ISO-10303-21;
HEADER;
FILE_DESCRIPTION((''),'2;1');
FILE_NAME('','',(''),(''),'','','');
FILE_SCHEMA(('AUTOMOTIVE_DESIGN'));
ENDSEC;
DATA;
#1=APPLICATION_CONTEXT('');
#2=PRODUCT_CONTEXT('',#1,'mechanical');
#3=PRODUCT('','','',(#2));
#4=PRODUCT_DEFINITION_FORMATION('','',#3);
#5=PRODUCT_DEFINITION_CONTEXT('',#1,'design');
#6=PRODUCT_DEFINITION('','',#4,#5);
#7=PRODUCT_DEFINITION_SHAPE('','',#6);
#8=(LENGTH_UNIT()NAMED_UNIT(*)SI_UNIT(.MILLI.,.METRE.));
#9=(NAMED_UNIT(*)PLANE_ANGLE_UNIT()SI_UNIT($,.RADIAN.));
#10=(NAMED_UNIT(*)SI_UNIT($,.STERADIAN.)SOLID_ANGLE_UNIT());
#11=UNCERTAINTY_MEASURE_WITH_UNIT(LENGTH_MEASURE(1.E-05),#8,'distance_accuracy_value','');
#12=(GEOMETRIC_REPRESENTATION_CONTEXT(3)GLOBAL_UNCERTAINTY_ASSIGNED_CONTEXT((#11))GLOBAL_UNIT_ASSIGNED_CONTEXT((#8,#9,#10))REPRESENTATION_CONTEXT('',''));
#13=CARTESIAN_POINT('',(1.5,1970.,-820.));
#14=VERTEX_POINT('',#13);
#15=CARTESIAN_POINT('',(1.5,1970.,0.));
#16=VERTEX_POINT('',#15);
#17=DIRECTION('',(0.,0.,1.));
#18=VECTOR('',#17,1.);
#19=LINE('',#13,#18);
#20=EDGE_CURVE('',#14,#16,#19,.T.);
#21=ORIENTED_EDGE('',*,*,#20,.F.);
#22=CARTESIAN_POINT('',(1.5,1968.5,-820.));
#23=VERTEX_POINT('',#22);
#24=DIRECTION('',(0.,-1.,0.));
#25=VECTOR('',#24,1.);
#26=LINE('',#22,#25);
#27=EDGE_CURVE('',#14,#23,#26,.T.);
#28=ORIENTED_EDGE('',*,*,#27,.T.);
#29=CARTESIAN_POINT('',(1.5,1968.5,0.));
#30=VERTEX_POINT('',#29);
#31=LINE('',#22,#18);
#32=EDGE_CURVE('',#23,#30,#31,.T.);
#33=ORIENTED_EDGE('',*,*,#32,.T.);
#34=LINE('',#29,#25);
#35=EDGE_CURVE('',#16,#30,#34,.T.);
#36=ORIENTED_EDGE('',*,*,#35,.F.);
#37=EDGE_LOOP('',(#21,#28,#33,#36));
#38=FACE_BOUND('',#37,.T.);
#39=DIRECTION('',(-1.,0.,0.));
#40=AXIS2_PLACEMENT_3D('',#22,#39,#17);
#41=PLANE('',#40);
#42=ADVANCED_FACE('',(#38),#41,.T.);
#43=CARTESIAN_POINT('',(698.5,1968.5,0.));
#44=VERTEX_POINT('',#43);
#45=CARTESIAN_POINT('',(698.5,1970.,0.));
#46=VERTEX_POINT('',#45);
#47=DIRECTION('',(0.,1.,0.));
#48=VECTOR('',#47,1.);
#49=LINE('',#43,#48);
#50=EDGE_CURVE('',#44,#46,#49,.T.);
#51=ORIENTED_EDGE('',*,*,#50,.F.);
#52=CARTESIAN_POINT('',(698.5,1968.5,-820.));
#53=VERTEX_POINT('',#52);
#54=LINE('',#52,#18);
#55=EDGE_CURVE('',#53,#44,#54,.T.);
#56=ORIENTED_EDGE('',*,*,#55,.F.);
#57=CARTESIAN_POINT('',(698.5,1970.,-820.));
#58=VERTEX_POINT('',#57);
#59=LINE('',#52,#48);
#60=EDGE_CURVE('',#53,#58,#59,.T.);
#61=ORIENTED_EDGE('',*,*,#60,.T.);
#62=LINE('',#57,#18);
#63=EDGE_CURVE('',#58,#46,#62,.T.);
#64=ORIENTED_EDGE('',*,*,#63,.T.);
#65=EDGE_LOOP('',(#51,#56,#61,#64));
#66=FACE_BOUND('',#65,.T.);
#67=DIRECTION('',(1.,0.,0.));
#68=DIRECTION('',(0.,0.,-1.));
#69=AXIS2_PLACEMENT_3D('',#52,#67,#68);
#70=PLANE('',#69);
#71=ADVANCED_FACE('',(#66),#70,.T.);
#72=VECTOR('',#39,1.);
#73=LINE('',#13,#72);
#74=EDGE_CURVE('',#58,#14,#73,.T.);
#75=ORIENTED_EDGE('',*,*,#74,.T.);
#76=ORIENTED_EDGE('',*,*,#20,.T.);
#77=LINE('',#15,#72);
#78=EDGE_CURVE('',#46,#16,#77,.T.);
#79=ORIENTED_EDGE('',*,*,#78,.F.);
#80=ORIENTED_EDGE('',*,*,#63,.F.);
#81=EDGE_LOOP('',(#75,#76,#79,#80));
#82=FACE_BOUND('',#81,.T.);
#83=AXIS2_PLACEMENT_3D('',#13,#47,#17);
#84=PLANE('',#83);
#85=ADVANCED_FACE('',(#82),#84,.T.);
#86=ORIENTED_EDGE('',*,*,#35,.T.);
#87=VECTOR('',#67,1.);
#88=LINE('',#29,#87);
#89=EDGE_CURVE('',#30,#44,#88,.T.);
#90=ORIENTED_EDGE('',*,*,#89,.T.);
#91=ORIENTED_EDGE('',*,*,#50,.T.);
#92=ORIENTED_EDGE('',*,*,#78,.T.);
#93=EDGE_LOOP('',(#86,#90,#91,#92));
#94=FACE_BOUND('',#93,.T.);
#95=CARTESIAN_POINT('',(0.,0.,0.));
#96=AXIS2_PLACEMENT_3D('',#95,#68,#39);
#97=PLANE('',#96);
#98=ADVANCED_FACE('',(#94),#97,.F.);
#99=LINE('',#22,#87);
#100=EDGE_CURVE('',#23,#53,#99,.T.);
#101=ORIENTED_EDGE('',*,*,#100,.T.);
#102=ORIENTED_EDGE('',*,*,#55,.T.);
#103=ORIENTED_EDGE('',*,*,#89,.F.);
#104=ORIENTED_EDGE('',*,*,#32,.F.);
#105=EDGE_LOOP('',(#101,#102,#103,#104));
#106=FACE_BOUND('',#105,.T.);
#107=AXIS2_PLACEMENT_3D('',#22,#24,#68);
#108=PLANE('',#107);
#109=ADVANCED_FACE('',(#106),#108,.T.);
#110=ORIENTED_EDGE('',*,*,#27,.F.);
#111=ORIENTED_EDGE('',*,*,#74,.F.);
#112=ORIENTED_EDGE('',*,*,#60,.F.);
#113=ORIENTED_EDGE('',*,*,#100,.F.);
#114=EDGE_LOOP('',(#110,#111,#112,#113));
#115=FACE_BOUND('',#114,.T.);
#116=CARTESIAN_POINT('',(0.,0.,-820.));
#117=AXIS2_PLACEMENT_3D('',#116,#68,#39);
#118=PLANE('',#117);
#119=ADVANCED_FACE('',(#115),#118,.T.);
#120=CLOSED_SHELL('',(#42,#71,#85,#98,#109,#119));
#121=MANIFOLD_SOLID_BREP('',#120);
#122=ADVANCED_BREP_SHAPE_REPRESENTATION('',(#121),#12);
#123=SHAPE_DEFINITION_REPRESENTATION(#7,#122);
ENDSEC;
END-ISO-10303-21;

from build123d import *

# Parameters (mm, degrees)
SKETCH1_W            = 697
SKETCH1_H            = 1.5
OVEN_DIS_UST_1_DEPTH = 820


with BuildPart() as part:
    # Sketch1 → OVEN_dis_ust_1 (new body)
    with BuildSketch(Plane.XY):
        with Locations((350, 1969.25)):
            Rectangle(SKETCH1_W, SKETCH1_H)
    extrude(amount=-OVEN_DIS_UST_1_DEPTH)


solid = part.part
